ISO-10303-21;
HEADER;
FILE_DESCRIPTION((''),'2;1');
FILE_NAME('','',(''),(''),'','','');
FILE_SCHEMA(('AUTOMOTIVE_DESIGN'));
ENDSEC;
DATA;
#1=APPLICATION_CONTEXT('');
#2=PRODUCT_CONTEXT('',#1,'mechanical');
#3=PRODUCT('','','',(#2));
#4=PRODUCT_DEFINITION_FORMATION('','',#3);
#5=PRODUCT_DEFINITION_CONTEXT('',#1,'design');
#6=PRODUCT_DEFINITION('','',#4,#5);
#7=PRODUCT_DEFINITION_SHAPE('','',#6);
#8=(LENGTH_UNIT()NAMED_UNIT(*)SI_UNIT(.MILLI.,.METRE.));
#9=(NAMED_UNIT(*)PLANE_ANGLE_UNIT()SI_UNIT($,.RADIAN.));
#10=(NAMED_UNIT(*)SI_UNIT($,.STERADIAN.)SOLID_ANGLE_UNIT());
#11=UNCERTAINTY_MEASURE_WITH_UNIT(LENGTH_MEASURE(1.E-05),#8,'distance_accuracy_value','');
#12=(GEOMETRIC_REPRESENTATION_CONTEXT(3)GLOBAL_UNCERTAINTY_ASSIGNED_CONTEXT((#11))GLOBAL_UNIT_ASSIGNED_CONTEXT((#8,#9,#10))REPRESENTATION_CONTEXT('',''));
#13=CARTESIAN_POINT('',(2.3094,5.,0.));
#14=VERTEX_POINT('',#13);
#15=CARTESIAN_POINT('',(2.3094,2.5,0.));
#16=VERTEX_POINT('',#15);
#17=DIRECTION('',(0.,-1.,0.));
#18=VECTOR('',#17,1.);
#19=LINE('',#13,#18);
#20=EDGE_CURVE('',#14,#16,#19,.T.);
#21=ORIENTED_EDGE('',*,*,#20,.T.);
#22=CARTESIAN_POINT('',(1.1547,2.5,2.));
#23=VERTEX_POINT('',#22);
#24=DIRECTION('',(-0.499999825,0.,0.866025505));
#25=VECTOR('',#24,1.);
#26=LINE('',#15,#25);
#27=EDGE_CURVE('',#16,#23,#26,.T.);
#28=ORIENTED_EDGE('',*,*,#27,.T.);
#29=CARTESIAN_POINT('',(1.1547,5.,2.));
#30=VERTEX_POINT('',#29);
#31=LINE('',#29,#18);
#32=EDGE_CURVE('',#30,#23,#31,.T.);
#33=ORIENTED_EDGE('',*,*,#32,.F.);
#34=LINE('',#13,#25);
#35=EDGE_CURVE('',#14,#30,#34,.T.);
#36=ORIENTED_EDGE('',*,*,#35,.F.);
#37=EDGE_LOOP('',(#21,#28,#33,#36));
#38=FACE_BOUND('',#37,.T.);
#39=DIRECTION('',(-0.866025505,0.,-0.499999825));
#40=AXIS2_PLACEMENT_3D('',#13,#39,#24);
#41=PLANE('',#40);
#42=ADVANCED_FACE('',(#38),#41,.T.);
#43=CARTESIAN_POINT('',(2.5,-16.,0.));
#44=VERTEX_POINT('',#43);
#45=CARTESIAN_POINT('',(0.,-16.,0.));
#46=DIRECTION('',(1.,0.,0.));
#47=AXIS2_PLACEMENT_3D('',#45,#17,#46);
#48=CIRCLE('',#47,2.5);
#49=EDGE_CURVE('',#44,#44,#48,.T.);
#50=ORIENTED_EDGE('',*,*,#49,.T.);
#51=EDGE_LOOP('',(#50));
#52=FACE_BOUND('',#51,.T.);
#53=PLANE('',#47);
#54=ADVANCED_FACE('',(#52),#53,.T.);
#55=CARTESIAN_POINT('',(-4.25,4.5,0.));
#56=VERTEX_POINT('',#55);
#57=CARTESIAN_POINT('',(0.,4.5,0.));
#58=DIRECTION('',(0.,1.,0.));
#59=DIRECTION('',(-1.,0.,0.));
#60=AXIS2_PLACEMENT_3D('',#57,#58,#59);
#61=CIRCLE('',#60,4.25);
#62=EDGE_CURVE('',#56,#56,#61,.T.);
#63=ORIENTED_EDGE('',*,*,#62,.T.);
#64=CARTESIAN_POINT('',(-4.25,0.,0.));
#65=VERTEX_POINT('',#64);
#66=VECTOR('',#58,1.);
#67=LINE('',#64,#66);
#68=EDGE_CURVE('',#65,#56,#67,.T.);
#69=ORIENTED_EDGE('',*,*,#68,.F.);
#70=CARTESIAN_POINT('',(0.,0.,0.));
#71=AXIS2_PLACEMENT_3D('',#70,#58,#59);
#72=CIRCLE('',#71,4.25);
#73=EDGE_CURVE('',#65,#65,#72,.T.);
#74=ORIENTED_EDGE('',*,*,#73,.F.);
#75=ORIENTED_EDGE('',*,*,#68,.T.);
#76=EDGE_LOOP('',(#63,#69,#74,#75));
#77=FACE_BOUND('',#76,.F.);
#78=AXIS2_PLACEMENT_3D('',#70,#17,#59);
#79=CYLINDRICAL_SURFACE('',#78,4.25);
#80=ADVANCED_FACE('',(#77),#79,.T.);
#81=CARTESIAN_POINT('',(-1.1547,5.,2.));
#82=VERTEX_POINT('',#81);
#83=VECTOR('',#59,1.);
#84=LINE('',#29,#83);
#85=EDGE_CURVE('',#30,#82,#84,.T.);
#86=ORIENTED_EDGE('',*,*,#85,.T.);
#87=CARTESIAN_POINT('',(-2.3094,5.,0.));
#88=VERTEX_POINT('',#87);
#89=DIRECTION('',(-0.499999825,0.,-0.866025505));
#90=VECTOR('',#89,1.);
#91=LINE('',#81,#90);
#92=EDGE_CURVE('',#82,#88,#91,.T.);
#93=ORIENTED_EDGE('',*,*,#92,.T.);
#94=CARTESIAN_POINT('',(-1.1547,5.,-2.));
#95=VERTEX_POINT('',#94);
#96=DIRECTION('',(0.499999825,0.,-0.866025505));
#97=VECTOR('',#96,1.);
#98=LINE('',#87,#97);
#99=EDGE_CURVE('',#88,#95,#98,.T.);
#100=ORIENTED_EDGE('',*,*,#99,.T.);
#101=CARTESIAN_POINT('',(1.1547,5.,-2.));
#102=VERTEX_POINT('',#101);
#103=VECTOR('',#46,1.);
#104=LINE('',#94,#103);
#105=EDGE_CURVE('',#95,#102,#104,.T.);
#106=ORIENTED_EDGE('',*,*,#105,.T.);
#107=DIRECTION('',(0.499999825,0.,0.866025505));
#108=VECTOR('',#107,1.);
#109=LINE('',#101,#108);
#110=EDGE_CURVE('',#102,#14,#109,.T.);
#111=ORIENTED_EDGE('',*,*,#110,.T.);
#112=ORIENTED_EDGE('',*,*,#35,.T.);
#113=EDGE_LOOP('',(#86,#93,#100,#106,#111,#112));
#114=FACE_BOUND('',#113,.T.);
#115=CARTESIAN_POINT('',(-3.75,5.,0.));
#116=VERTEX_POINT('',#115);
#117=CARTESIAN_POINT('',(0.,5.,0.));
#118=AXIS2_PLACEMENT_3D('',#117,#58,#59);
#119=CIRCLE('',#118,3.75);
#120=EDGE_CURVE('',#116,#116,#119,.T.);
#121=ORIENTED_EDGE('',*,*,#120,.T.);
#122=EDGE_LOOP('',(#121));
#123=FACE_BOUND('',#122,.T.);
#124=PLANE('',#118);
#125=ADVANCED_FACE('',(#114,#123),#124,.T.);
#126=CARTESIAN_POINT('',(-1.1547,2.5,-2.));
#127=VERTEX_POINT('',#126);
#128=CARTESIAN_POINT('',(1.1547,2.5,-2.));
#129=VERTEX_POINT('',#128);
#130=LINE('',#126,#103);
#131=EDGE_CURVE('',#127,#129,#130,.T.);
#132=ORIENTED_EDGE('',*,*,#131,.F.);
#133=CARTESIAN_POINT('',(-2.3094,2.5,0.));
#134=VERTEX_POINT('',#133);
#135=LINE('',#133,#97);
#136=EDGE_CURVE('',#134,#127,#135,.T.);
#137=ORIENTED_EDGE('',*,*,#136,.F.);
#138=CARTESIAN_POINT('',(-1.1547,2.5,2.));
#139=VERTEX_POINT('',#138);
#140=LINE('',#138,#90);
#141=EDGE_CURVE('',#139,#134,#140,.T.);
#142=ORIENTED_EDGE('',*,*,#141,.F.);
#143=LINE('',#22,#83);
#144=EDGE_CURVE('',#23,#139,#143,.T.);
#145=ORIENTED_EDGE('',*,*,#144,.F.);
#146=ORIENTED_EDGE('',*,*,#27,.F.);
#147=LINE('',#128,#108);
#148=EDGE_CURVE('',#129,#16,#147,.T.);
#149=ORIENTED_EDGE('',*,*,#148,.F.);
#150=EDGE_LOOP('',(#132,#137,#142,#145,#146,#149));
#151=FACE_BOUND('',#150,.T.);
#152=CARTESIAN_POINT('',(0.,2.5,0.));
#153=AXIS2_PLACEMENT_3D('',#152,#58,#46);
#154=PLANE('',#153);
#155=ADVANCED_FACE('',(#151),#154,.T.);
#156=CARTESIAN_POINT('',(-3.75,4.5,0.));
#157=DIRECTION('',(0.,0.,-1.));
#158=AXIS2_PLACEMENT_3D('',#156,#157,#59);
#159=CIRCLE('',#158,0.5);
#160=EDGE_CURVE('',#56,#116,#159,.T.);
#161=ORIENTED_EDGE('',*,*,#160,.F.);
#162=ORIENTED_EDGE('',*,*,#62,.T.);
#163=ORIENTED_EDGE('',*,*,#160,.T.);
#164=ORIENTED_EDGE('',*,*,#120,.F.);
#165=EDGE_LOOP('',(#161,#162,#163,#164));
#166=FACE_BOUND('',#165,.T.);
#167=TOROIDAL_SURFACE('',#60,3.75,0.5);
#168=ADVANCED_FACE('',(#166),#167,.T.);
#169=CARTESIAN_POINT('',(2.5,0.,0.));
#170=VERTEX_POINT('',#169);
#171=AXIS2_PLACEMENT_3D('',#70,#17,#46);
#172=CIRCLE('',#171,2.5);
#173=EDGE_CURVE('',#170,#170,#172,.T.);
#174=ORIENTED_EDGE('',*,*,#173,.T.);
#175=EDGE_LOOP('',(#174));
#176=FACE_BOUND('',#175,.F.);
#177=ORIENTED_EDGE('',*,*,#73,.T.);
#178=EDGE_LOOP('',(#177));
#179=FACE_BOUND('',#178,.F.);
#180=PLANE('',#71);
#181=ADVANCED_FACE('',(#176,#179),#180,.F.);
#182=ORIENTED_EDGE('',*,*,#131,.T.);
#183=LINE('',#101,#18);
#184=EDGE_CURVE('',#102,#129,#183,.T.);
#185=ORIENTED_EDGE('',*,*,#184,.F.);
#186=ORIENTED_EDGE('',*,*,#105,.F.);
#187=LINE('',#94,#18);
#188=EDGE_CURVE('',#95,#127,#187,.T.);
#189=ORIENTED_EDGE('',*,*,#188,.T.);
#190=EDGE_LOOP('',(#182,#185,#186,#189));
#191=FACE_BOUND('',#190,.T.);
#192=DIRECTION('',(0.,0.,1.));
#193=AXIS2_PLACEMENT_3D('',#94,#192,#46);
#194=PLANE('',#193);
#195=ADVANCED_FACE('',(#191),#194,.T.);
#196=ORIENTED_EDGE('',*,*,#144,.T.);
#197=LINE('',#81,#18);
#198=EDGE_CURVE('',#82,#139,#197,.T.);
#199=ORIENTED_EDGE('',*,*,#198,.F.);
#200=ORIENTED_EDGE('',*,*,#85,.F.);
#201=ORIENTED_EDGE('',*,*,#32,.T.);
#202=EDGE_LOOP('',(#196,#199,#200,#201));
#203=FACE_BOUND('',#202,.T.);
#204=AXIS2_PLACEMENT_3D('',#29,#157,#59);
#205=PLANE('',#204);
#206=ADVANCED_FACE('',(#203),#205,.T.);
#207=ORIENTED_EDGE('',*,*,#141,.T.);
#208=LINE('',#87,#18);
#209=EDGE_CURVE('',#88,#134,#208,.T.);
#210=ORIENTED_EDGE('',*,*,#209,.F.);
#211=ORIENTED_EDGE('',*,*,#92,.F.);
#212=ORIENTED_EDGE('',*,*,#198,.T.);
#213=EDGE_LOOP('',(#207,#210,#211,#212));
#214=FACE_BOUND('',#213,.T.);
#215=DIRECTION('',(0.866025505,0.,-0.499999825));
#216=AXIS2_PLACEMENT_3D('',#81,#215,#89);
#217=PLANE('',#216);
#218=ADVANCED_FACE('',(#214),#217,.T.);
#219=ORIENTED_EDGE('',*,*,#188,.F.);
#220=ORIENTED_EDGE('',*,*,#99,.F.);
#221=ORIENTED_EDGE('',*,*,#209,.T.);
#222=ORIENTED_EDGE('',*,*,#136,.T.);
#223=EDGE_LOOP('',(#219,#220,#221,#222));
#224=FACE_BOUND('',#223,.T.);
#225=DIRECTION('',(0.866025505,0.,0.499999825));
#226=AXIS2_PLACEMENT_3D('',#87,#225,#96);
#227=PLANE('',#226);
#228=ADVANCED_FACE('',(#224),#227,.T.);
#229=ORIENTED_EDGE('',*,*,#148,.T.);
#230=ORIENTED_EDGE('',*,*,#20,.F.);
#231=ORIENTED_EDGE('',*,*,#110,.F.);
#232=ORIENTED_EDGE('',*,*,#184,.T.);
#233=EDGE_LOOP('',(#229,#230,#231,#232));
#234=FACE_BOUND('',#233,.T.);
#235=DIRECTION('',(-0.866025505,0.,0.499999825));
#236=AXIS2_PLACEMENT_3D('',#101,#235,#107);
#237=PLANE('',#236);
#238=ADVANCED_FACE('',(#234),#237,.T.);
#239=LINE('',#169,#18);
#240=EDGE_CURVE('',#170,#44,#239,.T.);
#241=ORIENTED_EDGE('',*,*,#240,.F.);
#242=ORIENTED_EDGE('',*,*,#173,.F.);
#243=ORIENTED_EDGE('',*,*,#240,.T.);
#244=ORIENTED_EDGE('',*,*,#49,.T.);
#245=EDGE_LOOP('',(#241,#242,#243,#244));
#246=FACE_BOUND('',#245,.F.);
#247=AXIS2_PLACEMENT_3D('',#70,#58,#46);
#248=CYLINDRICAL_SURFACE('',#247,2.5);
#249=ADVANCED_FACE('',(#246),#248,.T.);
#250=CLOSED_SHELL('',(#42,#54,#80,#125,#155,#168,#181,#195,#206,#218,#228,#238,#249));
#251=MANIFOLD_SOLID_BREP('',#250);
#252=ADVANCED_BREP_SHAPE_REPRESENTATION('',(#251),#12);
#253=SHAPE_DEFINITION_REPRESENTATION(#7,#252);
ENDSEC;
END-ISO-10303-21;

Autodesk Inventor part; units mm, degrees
ref_plane "YZ Plane" through (0, 0, 0) normal (1, 0, 0) x (0, 1, 0)
ref_plane "XZ Plane" through (0, 0, 0) normal (0, 1, 0) x (-1, 0, 0)
ref_plane "XY Plane" through (0, 0, 0) normal (0, 0, 1) x (1, 0, 0)
sketch "Cap Cross Section" plane through (0, 0, 0) normal (0, 1, 0) x (-1, 0, 0)
  circle A0 centre (0, 0) radius 4.25
  dimension "d0" = 8.5
extrude "Cap" add sketch "Cap Cross Section" along normal blind 5
sketch "Key Socket Cutout Outline" plane through (0, 5, 0) normal (0, 1, 0) x (1, 0, 0)
  line L0 (1.1547, 2) -> (2.3094, 0)
  line L1 (2.3094, 0) -> (1.1547, -2)
  line L2 (1.1547, -2) -> (-1.1547, -2)
  line L3 (-1.1547, -2) -> (-2.3094, 0)
  line L4 (-2.3094, 0) -> (-1.1547, 2)
  line L5 (-1.1547, 2) -> (1.1547, 2)
  point P0 (0, 0)
  point P1 (0, 0)
  dimension "d3" = 4
extrude "Key Socket Cutout" cut sketch "Key Socket Cutout Outline" against normal blind 2.5
sketch "Body Cross Section" plane through (0, 0, 0) normal (0, -1, 0) x (1, 0, 0)
  circle A0 centre (0, 0) radius 2.5
  dimension "d6" = 5
extrude "Body" add sketch "Body Cross Section" along normal blind 16
thread "Thread" size "M5x0.8" class "6g" standard "ANSI Metric M Profile" full length
fillet "Cap Fillet" radius 0.5 1 edges at (4.25, 5, 0)
properties part number "SSCF-M5-16-A4" material "Stainless Steel AISI 317"
